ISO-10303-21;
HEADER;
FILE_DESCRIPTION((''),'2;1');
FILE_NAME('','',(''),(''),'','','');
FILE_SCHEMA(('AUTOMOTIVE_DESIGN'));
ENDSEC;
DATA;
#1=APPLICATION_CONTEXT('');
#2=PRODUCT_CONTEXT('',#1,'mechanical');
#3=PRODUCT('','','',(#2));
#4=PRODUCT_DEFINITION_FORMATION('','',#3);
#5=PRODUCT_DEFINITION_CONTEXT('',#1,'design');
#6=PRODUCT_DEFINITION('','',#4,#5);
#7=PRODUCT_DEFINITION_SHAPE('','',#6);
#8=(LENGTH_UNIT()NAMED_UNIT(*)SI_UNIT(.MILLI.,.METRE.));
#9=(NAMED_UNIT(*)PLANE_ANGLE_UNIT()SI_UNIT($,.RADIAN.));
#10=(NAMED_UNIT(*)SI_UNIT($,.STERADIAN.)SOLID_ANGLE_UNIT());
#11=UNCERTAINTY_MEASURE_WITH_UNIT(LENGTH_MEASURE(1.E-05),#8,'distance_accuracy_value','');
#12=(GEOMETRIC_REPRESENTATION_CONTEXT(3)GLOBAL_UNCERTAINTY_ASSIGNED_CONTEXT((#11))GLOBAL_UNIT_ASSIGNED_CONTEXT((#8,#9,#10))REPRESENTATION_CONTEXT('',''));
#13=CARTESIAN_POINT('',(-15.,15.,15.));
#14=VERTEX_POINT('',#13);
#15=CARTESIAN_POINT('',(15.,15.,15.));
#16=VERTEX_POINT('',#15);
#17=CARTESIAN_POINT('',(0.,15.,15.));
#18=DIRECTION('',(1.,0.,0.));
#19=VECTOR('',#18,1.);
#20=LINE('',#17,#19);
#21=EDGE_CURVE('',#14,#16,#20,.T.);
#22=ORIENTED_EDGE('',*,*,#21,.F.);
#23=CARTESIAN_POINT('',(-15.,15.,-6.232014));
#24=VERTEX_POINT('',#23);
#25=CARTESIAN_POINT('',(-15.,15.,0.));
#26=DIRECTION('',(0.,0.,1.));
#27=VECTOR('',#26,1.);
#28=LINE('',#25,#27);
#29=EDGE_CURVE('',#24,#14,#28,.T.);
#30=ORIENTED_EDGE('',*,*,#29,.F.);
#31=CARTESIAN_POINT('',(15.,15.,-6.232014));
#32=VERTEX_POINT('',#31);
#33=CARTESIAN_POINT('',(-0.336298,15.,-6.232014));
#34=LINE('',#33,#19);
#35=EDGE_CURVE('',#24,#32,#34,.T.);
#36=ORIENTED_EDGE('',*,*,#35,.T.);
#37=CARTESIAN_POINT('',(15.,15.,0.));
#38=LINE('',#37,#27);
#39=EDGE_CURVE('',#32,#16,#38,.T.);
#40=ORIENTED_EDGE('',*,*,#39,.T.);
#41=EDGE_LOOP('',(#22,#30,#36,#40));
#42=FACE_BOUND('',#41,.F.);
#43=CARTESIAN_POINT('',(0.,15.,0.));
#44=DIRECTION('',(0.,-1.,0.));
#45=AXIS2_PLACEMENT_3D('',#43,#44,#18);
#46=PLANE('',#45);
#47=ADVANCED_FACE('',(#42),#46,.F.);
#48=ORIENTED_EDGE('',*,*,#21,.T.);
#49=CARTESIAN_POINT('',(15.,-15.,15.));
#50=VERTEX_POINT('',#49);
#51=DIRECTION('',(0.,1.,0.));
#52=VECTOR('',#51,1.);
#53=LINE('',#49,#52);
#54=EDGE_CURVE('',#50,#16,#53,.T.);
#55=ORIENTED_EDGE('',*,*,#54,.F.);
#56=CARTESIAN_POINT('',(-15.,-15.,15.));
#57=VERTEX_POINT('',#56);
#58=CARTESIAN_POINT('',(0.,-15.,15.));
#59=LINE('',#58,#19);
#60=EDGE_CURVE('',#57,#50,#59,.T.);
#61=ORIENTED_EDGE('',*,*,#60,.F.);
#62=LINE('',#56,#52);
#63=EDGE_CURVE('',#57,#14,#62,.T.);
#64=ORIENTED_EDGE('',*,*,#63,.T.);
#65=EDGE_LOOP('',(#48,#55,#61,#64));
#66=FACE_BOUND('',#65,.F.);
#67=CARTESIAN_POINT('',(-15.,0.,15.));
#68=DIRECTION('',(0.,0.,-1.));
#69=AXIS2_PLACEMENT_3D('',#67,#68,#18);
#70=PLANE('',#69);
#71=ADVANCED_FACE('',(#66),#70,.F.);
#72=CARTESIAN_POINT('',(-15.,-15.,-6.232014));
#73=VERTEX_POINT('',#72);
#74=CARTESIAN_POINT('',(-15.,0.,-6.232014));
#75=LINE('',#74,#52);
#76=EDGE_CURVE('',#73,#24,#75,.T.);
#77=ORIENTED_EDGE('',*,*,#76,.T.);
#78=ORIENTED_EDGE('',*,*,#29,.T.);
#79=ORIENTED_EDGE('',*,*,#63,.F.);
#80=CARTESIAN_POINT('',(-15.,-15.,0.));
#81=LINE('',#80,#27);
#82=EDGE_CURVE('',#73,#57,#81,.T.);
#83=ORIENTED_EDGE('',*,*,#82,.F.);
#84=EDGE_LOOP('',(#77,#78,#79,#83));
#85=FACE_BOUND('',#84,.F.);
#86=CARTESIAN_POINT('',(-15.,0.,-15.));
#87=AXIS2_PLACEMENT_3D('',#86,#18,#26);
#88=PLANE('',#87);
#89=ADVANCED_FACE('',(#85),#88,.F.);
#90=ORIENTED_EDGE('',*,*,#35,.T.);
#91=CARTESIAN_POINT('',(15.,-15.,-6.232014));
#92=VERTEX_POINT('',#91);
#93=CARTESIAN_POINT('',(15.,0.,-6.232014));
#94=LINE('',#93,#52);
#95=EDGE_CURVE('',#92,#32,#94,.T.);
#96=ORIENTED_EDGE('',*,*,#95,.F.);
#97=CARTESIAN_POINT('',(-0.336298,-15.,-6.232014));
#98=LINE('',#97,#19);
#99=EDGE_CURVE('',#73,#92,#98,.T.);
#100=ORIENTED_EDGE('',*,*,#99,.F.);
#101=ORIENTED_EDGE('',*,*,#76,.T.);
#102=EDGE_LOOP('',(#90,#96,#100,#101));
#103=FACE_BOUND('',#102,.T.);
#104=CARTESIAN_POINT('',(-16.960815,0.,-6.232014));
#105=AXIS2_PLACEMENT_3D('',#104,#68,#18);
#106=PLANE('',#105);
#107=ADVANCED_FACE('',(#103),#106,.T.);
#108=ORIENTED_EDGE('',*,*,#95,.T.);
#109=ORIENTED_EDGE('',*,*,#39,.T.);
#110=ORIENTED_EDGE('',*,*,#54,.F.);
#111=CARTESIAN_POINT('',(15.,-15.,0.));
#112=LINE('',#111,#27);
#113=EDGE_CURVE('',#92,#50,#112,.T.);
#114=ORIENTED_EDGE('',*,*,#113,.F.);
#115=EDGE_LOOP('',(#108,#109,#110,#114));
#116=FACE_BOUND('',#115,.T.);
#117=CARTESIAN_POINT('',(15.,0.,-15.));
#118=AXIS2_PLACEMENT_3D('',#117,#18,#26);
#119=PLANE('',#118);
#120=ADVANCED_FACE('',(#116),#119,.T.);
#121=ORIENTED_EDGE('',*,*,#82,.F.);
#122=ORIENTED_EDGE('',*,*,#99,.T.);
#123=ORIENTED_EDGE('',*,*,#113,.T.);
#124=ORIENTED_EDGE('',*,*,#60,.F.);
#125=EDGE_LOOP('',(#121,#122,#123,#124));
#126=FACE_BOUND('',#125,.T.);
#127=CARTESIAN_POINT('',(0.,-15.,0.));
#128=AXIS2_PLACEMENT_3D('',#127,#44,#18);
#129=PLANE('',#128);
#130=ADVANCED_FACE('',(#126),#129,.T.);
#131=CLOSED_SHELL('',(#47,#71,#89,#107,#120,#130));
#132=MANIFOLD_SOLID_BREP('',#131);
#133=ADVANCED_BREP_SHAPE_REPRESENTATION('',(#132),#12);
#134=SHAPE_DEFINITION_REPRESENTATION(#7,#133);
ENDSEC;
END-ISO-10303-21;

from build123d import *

# Parameters (mm, degrees)
F0_W     = 30
F0_H     = 30
F1_DEPTH = 15
F2_W     = 33.249034
F2_H     = 10.076338
F3_DEPTH = 15


with BuildPart() as f1:
    # F0 (on Front) → F1 (new body, symmetric)
    with BuildSketch(Plane.XZ):
        Rectangle(F0_W, F0_H)
    extrude(amount=F1_DEPTH, both=True)

    # F2 (on Front) → F3 (cut, symmetric)
    with BuildSketch(Plane.XZ):
        with Locations((-0.336298, -11.270183)):
            Rectangle(F2_W, F2_H)
    extrude(amount=F3_DEPTH, both=True, mode=Mode.SUBTRACT)


solid = f1.part
